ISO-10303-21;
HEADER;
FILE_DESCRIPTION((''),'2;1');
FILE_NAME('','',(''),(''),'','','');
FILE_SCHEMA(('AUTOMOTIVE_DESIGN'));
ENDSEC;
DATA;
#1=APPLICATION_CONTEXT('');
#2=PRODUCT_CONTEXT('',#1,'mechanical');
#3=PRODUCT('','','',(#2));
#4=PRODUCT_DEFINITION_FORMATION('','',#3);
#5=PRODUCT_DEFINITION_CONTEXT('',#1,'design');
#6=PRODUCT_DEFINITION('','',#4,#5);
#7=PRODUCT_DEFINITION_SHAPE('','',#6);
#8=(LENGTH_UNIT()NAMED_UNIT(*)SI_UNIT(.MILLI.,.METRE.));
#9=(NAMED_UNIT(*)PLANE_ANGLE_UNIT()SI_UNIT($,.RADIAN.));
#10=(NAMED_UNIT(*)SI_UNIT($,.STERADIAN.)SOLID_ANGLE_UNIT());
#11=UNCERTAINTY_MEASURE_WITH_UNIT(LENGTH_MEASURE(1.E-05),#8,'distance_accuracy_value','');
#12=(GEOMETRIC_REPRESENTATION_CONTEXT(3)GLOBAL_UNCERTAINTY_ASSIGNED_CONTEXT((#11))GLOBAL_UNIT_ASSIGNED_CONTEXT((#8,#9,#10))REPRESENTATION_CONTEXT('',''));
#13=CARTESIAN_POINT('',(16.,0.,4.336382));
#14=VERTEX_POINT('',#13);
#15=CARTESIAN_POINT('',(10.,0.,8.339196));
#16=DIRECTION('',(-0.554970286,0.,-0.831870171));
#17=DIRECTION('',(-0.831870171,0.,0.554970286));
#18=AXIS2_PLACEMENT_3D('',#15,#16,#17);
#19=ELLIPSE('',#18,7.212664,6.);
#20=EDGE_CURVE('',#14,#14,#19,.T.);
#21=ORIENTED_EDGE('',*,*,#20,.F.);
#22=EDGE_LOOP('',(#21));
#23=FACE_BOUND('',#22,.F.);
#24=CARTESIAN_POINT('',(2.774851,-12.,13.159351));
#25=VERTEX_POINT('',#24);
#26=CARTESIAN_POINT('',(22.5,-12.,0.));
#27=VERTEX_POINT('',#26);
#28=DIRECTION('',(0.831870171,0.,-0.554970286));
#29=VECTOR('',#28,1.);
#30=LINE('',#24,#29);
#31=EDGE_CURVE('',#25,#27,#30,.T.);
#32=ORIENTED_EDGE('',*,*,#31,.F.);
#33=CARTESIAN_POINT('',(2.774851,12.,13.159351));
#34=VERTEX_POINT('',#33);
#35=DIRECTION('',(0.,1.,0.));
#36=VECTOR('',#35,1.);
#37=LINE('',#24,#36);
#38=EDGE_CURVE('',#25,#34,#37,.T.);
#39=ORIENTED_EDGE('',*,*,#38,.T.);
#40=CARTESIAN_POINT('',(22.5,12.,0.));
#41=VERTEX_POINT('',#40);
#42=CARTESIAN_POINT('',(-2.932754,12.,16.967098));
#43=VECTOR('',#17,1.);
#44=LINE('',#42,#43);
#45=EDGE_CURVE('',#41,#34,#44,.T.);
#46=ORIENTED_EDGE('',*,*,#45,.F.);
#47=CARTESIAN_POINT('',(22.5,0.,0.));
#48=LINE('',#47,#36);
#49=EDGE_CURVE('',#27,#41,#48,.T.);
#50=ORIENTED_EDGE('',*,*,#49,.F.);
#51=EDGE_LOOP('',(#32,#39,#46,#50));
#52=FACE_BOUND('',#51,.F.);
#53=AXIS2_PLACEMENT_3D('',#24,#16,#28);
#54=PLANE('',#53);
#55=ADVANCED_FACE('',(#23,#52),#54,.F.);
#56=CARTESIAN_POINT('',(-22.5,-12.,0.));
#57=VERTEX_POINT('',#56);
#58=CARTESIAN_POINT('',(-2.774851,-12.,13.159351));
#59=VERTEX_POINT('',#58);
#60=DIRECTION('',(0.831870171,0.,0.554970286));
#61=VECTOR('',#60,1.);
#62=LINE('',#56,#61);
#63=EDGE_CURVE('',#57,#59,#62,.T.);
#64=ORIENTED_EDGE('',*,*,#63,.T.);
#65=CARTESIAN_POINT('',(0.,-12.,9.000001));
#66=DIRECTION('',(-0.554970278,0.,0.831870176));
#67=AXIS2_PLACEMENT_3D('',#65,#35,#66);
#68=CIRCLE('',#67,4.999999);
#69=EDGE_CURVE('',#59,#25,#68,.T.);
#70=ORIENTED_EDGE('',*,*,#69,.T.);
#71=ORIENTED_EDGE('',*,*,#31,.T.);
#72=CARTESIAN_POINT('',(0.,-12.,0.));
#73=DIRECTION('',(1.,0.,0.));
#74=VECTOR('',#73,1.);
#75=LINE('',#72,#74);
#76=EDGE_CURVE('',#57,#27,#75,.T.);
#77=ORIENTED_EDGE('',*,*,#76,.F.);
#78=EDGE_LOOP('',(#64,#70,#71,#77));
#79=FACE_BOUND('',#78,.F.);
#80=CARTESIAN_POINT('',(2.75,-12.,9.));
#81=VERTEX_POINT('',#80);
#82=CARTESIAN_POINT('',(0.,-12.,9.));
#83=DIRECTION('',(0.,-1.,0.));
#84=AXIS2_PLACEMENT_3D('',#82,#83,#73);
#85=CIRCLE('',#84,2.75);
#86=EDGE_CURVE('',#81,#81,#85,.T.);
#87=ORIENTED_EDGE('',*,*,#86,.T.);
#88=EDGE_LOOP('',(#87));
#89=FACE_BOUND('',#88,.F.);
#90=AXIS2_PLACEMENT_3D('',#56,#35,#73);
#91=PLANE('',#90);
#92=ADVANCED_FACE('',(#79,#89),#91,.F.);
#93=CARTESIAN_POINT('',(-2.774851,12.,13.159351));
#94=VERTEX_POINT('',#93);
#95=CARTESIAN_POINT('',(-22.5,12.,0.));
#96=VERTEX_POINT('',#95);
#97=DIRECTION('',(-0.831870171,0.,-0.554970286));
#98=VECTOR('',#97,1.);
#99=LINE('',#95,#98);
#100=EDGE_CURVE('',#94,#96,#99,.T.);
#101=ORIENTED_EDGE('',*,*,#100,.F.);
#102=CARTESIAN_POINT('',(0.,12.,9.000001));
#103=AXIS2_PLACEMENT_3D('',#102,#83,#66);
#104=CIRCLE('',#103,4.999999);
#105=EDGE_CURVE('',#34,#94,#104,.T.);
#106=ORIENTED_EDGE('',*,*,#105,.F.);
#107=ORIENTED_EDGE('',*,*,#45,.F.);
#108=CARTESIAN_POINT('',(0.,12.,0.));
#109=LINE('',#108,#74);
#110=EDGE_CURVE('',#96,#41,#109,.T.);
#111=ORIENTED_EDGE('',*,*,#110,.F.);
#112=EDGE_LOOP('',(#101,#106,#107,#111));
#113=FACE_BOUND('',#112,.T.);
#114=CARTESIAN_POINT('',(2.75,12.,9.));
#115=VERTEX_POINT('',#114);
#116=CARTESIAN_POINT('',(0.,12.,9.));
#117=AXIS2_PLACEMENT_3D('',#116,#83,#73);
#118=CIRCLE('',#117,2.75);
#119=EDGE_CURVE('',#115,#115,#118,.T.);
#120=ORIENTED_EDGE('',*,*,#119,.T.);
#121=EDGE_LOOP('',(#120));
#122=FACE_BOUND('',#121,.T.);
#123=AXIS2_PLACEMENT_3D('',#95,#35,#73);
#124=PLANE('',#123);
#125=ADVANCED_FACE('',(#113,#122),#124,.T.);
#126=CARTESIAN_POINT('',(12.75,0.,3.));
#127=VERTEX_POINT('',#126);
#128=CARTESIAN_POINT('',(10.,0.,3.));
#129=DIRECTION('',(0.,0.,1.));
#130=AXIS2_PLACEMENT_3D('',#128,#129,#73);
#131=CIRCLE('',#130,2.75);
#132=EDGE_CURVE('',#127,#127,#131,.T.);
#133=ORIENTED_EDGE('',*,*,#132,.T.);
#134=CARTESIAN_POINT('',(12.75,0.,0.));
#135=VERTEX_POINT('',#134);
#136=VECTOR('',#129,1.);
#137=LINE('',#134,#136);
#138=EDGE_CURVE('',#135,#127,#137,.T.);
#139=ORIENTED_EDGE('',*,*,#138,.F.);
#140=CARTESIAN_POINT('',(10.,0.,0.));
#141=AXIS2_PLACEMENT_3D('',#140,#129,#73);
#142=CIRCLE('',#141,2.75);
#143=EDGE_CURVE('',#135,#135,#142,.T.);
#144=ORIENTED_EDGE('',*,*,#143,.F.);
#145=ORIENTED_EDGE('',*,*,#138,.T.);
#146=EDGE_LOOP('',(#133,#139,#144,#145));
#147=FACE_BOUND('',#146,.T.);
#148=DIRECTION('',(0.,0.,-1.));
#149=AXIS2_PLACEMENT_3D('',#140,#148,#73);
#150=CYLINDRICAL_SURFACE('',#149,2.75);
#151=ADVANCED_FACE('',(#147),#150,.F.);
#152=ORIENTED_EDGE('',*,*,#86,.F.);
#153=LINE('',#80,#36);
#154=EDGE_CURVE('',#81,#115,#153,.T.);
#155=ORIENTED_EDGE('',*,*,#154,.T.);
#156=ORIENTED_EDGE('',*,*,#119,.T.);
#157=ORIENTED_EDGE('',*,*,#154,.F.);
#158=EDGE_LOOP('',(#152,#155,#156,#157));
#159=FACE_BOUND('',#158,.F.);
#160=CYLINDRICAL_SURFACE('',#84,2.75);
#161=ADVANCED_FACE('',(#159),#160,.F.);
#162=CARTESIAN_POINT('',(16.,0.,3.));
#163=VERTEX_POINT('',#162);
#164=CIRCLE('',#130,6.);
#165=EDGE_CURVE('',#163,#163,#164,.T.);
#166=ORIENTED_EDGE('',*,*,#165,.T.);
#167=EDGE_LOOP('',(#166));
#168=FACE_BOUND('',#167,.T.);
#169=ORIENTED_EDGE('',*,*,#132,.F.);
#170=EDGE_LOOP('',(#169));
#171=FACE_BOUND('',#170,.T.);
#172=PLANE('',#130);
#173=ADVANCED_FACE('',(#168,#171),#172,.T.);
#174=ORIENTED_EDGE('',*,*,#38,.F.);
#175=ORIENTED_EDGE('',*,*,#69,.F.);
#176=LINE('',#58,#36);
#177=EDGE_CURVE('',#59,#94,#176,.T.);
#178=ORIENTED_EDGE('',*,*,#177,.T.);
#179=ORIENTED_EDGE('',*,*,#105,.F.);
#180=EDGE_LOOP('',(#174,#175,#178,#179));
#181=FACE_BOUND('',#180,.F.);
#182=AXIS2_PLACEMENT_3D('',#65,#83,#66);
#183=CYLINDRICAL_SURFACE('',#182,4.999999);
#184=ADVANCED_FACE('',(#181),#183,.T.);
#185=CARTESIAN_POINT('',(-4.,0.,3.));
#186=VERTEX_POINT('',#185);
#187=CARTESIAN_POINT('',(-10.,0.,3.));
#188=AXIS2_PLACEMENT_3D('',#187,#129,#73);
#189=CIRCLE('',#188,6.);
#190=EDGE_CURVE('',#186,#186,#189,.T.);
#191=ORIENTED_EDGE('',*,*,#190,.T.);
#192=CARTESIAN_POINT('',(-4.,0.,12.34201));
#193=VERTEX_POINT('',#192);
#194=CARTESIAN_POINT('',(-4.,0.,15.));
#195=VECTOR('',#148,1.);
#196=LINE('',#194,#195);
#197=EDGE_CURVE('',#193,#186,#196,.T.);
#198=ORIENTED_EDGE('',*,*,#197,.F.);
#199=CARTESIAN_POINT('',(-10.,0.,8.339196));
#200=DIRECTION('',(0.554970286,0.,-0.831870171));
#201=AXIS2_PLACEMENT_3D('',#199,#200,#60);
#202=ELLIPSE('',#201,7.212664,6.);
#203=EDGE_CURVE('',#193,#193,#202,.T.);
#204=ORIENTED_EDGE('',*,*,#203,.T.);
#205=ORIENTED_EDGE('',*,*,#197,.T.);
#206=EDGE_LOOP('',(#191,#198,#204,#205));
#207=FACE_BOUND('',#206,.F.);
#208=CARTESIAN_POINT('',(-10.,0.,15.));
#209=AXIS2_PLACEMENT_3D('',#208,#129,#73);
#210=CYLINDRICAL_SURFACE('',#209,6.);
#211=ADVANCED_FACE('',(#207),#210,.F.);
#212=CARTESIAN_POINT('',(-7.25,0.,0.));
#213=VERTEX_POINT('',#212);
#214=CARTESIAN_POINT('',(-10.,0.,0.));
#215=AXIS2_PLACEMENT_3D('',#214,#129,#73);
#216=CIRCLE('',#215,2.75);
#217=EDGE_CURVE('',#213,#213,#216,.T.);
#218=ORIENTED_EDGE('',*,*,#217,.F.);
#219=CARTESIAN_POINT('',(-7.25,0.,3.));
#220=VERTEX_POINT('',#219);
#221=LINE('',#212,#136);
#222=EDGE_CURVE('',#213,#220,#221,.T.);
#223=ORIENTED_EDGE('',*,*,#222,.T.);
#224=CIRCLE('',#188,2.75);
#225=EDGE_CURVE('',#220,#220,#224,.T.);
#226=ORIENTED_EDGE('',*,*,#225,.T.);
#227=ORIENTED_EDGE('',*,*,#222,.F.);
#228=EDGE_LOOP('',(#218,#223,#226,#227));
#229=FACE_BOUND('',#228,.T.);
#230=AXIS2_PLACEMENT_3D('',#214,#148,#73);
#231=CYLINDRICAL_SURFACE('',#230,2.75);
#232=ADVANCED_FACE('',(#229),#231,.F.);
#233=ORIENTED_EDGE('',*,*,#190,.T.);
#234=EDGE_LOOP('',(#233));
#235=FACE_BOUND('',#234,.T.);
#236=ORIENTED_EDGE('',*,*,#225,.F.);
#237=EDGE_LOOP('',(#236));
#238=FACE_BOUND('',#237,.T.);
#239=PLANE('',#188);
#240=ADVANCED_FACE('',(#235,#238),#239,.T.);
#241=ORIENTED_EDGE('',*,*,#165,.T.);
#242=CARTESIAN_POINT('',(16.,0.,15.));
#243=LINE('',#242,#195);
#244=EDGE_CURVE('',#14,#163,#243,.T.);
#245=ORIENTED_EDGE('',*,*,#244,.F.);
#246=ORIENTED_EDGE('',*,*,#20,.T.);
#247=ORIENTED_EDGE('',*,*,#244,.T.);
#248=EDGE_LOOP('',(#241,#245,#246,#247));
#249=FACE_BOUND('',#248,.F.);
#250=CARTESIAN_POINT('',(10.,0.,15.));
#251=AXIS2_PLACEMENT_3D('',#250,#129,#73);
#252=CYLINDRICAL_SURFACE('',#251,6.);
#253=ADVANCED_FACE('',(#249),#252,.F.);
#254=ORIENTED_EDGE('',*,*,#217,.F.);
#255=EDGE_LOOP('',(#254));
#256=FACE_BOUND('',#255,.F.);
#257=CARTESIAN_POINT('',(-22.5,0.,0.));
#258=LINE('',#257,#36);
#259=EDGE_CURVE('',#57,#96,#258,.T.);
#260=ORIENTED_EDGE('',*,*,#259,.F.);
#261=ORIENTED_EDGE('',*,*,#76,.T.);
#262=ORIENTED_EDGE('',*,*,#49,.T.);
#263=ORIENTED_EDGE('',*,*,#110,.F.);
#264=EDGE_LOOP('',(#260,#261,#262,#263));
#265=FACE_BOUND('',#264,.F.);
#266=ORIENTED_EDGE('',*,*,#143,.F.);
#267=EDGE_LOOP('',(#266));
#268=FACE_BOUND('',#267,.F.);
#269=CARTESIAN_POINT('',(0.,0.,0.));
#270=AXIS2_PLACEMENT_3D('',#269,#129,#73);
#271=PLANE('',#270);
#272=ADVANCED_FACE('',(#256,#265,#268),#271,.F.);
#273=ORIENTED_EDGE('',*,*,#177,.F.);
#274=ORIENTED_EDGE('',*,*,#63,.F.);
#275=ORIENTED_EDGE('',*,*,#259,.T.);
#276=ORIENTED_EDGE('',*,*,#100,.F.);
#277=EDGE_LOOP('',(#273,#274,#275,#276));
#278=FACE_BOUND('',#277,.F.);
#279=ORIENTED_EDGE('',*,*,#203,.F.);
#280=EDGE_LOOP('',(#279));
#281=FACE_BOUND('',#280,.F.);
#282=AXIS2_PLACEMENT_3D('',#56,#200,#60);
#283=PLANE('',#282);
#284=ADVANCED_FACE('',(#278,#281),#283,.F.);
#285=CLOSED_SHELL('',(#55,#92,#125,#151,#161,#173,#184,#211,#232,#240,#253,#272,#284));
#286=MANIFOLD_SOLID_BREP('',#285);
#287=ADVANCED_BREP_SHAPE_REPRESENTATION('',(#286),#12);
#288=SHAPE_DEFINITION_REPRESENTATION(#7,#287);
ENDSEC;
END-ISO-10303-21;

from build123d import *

# Parameters (mm, degrees)
F0_W     = 45
F0_H     = 24
F0_R     = 2.75
F1_DEPTH = 15
F2_R     = 6
F2_R_2   = 2.75
F3_DEPTH = 12
F4_R     = 2.75
F5_DEPTH = 24.001


with BuildPart() as f1:
    # F0 (on Top) → F1 (new body)
    with BuildSketch(Plane.XY):
        Rectangle(F0_W, F0_H)
        with Locations((-10, 0)):
            Circle(F0_R, mode=Mode.SUBTRACT)
        with Locations((10, 0)):
            Circle(F0_R, mode=Mode.SUBTRACT)
    extrude(amount=F1_DEPTH)

    # F2 (on face) → F3 (cut)
    with BuildSketch(Plane.XY.offset(15)):
        with Locations((-10, 0)):
            Circle(F2_R)
        with Locations((-10, 0)):
            Circle(F2_R_2, mode=Mode.SUBTRACT)
        with Locations((10, 0)):
            Circle(F2_R)
        with Locations((10, 0)):
            Circle(F2_R_2, mode=Mode.SUBTRACT)
    extrude(amount=-F3_DEPTH, mode=Mode.SUBTRACT)

    # F4 (on face) → F5 (cut, through all)
    with BuildSketch(Plane.XZ.offset(12)):
        with Locations((0, 9)):
            Circle(F4_R)
        with BuildLine():
            ThreePointArc((-2.774851, 13.159351), (0, 14), (2.774851, 13.159351))
            Line((2.774851, 13.159351), (22.5, 0))
            Line((22.5, 0), (22.5, 15))
            Line((22.5, 15), (-22.5, 15))
            Line((-22.5, 15), (-22.5, 0))
            Line((-22.5, 0), (-2.774851, 13.159351))
        make_face()
    extrude(amount=-F5_DEPTH, mode=Mode.SUBTRACT)


solid = f1.part
